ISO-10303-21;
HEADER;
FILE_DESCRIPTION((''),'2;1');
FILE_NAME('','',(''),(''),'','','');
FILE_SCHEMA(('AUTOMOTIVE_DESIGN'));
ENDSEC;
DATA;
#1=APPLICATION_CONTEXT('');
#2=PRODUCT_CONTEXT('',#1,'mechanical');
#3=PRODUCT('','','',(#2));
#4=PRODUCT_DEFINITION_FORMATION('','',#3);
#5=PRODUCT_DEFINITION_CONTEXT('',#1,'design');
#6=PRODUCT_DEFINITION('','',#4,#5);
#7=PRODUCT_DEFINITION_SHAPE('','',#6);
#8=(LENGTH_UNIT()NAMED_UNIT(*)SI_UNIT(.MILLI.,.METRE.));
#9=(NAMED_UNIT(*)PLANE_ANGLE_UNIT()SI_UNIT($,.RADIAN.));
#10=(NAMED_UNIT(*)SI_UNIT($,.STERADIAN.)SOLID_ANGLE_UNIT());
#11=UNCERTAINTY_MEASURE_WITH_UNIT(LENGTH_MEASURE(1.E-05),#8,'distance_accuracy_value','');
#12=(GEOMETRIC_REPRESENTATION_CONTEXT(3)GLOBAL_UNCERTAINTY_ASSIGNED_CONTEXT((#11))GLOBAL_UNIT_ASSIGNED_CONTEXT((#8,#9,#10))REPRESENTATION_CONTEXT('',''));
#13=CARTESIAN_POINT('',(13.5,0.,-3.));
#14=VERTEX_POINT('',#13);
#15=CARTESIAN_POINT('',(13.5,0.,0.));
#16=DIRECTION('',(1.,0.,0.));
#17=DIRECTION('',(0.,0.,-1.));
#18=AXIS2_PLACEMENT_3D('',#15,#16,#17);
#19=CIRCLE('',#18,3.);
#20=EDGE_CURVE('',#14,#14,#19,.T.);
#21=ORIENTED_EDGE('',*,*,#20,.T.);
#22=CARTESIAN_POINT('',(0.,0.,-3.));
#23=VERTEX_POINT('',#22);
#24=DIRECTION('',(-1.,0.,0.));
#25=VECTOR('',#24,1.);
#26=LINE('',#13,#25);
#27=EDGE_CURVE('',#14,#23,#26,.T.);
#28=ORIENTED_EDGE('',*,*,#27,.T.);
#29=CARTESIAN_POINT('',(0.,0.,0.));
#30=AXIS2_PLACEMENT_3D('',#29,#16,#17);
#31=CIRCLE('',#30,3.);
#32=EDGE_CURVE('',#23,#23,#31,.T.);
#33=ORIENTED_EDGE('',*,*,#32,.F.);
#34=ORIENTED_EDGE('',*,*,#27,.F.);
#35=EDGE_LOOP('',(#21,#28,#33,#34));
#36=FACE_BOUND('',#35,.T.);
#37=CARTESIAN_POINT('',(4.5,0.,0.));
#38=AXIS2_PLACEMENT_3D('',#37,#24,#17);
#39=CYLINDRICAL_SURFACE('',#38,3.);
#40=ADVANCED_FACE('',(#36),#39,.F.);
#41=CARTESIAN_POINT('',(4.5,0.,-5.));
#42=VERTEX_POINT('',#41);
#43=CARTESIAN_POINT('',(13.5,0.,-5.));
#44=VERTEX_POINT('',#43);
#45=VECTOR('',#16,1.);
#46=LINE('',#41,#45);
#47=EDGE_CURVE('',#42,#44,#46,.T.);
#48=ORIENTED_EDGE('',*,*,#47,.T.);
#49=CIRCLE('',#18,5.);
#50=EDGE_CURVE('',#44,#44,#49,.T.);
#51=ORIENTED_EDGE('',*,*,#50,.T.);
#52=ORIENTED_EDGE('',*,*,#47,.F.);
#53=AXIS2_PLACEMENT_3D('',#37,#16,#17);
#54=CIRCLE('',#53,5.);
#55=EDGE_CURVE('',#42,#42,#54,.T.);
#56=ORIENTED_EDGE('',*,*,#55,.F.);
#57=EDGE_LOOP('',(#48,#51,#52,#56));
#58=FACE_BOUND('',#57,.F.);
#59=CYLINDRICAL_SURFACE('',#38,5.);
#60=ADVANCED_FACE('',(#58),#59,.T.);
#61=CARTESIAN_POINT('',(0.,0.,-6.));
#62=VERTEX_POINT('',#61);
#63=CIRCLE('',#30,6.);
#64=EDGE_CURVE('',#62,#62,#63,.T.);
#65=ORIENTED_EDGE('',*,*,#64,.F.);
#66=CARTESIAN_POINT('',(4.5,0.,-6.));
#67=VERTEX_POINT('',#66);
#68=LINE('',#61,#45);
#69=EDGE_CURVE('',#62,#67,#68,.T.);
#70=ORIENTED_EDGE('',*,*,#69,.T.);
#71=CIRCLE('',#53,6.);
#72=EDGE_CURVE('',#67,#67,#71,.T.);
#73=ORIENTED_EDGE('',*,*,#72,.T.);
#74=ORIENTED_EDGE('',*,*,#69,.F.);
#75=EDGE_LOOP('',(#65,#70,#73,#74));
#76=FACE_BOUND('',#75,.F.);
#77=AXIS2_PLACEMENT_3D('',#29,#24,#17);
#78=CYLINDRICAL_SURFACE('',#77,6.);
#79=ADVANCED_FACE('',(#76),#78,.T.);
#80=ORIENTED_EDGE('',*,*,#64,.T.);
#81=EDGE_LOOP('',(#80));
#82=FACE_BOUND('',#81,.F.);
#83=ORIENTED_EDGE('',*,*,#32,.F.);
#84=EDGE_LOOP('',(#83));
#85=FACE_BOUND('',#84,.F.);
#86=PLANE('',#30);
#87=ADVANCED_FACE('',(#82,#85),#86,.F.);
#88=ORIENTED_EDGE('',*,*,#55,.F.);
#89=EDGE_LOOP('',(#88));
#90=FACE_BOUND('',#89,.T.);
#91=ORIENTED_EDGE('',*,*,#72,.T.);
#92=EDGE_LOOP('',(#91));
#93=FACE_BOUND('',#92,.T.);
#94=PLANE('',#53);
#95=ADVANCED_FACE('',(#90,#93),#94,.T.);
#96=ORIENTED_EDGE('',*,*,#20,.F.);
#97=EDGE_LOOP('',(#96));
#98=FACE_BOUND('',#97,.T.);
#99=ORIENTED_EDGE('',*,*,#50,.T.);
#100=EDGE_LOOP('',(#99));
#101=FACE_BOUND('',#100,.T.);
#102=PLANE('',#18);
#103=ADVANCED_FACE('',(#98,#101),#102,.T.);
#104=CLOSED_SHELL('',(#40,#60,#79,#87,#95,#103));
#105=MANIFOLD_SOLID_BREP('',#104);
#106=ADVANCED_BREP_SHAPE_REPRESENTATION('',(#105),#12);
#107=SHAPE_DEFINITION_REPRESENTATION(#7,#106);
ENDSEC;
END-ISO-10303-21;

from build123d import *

# Parameters (mm, degrees)
SKETCH1_R           = 6
SKETCH1_R_2         = 3
BOSS_EXTRUDE1_DEPTH = 4.5
SKETCH2_R           = 5
SKETCH2_R_2         = 3
BOSS_EXTRUDE2_DEPTH = 9


with BuildPart() as part:
    # Sketch1 → Boss-Extrude1 (new body)
    with BuildSketch(Plane(origin=(0, 0, 0), x_dir=(0, 0, -1), z_dir=(1, 0, 0))):
        Circle(SKETCH1_R)
        Circle(SKETCH1_R_2, mode=Mode.SUBTRACT)
    extrude(amount=BOSS_EXTRUDE1_DEPTH)

    # Sketch2 → Boss-Extrude2 (add)
    with BuildSketch(Plane(origin=(4.5, 0, 0), x_dir=(0, 0, -1), z_dir=(1, 0, 0))):
        Circle(SKETCH2_R)
        Circle(SKETCH2_R_2, mode=Mode.SUBTRACT)
    extrude(amount=BOSS_EXTRUDE2_DEPTH)


solid = part.part
